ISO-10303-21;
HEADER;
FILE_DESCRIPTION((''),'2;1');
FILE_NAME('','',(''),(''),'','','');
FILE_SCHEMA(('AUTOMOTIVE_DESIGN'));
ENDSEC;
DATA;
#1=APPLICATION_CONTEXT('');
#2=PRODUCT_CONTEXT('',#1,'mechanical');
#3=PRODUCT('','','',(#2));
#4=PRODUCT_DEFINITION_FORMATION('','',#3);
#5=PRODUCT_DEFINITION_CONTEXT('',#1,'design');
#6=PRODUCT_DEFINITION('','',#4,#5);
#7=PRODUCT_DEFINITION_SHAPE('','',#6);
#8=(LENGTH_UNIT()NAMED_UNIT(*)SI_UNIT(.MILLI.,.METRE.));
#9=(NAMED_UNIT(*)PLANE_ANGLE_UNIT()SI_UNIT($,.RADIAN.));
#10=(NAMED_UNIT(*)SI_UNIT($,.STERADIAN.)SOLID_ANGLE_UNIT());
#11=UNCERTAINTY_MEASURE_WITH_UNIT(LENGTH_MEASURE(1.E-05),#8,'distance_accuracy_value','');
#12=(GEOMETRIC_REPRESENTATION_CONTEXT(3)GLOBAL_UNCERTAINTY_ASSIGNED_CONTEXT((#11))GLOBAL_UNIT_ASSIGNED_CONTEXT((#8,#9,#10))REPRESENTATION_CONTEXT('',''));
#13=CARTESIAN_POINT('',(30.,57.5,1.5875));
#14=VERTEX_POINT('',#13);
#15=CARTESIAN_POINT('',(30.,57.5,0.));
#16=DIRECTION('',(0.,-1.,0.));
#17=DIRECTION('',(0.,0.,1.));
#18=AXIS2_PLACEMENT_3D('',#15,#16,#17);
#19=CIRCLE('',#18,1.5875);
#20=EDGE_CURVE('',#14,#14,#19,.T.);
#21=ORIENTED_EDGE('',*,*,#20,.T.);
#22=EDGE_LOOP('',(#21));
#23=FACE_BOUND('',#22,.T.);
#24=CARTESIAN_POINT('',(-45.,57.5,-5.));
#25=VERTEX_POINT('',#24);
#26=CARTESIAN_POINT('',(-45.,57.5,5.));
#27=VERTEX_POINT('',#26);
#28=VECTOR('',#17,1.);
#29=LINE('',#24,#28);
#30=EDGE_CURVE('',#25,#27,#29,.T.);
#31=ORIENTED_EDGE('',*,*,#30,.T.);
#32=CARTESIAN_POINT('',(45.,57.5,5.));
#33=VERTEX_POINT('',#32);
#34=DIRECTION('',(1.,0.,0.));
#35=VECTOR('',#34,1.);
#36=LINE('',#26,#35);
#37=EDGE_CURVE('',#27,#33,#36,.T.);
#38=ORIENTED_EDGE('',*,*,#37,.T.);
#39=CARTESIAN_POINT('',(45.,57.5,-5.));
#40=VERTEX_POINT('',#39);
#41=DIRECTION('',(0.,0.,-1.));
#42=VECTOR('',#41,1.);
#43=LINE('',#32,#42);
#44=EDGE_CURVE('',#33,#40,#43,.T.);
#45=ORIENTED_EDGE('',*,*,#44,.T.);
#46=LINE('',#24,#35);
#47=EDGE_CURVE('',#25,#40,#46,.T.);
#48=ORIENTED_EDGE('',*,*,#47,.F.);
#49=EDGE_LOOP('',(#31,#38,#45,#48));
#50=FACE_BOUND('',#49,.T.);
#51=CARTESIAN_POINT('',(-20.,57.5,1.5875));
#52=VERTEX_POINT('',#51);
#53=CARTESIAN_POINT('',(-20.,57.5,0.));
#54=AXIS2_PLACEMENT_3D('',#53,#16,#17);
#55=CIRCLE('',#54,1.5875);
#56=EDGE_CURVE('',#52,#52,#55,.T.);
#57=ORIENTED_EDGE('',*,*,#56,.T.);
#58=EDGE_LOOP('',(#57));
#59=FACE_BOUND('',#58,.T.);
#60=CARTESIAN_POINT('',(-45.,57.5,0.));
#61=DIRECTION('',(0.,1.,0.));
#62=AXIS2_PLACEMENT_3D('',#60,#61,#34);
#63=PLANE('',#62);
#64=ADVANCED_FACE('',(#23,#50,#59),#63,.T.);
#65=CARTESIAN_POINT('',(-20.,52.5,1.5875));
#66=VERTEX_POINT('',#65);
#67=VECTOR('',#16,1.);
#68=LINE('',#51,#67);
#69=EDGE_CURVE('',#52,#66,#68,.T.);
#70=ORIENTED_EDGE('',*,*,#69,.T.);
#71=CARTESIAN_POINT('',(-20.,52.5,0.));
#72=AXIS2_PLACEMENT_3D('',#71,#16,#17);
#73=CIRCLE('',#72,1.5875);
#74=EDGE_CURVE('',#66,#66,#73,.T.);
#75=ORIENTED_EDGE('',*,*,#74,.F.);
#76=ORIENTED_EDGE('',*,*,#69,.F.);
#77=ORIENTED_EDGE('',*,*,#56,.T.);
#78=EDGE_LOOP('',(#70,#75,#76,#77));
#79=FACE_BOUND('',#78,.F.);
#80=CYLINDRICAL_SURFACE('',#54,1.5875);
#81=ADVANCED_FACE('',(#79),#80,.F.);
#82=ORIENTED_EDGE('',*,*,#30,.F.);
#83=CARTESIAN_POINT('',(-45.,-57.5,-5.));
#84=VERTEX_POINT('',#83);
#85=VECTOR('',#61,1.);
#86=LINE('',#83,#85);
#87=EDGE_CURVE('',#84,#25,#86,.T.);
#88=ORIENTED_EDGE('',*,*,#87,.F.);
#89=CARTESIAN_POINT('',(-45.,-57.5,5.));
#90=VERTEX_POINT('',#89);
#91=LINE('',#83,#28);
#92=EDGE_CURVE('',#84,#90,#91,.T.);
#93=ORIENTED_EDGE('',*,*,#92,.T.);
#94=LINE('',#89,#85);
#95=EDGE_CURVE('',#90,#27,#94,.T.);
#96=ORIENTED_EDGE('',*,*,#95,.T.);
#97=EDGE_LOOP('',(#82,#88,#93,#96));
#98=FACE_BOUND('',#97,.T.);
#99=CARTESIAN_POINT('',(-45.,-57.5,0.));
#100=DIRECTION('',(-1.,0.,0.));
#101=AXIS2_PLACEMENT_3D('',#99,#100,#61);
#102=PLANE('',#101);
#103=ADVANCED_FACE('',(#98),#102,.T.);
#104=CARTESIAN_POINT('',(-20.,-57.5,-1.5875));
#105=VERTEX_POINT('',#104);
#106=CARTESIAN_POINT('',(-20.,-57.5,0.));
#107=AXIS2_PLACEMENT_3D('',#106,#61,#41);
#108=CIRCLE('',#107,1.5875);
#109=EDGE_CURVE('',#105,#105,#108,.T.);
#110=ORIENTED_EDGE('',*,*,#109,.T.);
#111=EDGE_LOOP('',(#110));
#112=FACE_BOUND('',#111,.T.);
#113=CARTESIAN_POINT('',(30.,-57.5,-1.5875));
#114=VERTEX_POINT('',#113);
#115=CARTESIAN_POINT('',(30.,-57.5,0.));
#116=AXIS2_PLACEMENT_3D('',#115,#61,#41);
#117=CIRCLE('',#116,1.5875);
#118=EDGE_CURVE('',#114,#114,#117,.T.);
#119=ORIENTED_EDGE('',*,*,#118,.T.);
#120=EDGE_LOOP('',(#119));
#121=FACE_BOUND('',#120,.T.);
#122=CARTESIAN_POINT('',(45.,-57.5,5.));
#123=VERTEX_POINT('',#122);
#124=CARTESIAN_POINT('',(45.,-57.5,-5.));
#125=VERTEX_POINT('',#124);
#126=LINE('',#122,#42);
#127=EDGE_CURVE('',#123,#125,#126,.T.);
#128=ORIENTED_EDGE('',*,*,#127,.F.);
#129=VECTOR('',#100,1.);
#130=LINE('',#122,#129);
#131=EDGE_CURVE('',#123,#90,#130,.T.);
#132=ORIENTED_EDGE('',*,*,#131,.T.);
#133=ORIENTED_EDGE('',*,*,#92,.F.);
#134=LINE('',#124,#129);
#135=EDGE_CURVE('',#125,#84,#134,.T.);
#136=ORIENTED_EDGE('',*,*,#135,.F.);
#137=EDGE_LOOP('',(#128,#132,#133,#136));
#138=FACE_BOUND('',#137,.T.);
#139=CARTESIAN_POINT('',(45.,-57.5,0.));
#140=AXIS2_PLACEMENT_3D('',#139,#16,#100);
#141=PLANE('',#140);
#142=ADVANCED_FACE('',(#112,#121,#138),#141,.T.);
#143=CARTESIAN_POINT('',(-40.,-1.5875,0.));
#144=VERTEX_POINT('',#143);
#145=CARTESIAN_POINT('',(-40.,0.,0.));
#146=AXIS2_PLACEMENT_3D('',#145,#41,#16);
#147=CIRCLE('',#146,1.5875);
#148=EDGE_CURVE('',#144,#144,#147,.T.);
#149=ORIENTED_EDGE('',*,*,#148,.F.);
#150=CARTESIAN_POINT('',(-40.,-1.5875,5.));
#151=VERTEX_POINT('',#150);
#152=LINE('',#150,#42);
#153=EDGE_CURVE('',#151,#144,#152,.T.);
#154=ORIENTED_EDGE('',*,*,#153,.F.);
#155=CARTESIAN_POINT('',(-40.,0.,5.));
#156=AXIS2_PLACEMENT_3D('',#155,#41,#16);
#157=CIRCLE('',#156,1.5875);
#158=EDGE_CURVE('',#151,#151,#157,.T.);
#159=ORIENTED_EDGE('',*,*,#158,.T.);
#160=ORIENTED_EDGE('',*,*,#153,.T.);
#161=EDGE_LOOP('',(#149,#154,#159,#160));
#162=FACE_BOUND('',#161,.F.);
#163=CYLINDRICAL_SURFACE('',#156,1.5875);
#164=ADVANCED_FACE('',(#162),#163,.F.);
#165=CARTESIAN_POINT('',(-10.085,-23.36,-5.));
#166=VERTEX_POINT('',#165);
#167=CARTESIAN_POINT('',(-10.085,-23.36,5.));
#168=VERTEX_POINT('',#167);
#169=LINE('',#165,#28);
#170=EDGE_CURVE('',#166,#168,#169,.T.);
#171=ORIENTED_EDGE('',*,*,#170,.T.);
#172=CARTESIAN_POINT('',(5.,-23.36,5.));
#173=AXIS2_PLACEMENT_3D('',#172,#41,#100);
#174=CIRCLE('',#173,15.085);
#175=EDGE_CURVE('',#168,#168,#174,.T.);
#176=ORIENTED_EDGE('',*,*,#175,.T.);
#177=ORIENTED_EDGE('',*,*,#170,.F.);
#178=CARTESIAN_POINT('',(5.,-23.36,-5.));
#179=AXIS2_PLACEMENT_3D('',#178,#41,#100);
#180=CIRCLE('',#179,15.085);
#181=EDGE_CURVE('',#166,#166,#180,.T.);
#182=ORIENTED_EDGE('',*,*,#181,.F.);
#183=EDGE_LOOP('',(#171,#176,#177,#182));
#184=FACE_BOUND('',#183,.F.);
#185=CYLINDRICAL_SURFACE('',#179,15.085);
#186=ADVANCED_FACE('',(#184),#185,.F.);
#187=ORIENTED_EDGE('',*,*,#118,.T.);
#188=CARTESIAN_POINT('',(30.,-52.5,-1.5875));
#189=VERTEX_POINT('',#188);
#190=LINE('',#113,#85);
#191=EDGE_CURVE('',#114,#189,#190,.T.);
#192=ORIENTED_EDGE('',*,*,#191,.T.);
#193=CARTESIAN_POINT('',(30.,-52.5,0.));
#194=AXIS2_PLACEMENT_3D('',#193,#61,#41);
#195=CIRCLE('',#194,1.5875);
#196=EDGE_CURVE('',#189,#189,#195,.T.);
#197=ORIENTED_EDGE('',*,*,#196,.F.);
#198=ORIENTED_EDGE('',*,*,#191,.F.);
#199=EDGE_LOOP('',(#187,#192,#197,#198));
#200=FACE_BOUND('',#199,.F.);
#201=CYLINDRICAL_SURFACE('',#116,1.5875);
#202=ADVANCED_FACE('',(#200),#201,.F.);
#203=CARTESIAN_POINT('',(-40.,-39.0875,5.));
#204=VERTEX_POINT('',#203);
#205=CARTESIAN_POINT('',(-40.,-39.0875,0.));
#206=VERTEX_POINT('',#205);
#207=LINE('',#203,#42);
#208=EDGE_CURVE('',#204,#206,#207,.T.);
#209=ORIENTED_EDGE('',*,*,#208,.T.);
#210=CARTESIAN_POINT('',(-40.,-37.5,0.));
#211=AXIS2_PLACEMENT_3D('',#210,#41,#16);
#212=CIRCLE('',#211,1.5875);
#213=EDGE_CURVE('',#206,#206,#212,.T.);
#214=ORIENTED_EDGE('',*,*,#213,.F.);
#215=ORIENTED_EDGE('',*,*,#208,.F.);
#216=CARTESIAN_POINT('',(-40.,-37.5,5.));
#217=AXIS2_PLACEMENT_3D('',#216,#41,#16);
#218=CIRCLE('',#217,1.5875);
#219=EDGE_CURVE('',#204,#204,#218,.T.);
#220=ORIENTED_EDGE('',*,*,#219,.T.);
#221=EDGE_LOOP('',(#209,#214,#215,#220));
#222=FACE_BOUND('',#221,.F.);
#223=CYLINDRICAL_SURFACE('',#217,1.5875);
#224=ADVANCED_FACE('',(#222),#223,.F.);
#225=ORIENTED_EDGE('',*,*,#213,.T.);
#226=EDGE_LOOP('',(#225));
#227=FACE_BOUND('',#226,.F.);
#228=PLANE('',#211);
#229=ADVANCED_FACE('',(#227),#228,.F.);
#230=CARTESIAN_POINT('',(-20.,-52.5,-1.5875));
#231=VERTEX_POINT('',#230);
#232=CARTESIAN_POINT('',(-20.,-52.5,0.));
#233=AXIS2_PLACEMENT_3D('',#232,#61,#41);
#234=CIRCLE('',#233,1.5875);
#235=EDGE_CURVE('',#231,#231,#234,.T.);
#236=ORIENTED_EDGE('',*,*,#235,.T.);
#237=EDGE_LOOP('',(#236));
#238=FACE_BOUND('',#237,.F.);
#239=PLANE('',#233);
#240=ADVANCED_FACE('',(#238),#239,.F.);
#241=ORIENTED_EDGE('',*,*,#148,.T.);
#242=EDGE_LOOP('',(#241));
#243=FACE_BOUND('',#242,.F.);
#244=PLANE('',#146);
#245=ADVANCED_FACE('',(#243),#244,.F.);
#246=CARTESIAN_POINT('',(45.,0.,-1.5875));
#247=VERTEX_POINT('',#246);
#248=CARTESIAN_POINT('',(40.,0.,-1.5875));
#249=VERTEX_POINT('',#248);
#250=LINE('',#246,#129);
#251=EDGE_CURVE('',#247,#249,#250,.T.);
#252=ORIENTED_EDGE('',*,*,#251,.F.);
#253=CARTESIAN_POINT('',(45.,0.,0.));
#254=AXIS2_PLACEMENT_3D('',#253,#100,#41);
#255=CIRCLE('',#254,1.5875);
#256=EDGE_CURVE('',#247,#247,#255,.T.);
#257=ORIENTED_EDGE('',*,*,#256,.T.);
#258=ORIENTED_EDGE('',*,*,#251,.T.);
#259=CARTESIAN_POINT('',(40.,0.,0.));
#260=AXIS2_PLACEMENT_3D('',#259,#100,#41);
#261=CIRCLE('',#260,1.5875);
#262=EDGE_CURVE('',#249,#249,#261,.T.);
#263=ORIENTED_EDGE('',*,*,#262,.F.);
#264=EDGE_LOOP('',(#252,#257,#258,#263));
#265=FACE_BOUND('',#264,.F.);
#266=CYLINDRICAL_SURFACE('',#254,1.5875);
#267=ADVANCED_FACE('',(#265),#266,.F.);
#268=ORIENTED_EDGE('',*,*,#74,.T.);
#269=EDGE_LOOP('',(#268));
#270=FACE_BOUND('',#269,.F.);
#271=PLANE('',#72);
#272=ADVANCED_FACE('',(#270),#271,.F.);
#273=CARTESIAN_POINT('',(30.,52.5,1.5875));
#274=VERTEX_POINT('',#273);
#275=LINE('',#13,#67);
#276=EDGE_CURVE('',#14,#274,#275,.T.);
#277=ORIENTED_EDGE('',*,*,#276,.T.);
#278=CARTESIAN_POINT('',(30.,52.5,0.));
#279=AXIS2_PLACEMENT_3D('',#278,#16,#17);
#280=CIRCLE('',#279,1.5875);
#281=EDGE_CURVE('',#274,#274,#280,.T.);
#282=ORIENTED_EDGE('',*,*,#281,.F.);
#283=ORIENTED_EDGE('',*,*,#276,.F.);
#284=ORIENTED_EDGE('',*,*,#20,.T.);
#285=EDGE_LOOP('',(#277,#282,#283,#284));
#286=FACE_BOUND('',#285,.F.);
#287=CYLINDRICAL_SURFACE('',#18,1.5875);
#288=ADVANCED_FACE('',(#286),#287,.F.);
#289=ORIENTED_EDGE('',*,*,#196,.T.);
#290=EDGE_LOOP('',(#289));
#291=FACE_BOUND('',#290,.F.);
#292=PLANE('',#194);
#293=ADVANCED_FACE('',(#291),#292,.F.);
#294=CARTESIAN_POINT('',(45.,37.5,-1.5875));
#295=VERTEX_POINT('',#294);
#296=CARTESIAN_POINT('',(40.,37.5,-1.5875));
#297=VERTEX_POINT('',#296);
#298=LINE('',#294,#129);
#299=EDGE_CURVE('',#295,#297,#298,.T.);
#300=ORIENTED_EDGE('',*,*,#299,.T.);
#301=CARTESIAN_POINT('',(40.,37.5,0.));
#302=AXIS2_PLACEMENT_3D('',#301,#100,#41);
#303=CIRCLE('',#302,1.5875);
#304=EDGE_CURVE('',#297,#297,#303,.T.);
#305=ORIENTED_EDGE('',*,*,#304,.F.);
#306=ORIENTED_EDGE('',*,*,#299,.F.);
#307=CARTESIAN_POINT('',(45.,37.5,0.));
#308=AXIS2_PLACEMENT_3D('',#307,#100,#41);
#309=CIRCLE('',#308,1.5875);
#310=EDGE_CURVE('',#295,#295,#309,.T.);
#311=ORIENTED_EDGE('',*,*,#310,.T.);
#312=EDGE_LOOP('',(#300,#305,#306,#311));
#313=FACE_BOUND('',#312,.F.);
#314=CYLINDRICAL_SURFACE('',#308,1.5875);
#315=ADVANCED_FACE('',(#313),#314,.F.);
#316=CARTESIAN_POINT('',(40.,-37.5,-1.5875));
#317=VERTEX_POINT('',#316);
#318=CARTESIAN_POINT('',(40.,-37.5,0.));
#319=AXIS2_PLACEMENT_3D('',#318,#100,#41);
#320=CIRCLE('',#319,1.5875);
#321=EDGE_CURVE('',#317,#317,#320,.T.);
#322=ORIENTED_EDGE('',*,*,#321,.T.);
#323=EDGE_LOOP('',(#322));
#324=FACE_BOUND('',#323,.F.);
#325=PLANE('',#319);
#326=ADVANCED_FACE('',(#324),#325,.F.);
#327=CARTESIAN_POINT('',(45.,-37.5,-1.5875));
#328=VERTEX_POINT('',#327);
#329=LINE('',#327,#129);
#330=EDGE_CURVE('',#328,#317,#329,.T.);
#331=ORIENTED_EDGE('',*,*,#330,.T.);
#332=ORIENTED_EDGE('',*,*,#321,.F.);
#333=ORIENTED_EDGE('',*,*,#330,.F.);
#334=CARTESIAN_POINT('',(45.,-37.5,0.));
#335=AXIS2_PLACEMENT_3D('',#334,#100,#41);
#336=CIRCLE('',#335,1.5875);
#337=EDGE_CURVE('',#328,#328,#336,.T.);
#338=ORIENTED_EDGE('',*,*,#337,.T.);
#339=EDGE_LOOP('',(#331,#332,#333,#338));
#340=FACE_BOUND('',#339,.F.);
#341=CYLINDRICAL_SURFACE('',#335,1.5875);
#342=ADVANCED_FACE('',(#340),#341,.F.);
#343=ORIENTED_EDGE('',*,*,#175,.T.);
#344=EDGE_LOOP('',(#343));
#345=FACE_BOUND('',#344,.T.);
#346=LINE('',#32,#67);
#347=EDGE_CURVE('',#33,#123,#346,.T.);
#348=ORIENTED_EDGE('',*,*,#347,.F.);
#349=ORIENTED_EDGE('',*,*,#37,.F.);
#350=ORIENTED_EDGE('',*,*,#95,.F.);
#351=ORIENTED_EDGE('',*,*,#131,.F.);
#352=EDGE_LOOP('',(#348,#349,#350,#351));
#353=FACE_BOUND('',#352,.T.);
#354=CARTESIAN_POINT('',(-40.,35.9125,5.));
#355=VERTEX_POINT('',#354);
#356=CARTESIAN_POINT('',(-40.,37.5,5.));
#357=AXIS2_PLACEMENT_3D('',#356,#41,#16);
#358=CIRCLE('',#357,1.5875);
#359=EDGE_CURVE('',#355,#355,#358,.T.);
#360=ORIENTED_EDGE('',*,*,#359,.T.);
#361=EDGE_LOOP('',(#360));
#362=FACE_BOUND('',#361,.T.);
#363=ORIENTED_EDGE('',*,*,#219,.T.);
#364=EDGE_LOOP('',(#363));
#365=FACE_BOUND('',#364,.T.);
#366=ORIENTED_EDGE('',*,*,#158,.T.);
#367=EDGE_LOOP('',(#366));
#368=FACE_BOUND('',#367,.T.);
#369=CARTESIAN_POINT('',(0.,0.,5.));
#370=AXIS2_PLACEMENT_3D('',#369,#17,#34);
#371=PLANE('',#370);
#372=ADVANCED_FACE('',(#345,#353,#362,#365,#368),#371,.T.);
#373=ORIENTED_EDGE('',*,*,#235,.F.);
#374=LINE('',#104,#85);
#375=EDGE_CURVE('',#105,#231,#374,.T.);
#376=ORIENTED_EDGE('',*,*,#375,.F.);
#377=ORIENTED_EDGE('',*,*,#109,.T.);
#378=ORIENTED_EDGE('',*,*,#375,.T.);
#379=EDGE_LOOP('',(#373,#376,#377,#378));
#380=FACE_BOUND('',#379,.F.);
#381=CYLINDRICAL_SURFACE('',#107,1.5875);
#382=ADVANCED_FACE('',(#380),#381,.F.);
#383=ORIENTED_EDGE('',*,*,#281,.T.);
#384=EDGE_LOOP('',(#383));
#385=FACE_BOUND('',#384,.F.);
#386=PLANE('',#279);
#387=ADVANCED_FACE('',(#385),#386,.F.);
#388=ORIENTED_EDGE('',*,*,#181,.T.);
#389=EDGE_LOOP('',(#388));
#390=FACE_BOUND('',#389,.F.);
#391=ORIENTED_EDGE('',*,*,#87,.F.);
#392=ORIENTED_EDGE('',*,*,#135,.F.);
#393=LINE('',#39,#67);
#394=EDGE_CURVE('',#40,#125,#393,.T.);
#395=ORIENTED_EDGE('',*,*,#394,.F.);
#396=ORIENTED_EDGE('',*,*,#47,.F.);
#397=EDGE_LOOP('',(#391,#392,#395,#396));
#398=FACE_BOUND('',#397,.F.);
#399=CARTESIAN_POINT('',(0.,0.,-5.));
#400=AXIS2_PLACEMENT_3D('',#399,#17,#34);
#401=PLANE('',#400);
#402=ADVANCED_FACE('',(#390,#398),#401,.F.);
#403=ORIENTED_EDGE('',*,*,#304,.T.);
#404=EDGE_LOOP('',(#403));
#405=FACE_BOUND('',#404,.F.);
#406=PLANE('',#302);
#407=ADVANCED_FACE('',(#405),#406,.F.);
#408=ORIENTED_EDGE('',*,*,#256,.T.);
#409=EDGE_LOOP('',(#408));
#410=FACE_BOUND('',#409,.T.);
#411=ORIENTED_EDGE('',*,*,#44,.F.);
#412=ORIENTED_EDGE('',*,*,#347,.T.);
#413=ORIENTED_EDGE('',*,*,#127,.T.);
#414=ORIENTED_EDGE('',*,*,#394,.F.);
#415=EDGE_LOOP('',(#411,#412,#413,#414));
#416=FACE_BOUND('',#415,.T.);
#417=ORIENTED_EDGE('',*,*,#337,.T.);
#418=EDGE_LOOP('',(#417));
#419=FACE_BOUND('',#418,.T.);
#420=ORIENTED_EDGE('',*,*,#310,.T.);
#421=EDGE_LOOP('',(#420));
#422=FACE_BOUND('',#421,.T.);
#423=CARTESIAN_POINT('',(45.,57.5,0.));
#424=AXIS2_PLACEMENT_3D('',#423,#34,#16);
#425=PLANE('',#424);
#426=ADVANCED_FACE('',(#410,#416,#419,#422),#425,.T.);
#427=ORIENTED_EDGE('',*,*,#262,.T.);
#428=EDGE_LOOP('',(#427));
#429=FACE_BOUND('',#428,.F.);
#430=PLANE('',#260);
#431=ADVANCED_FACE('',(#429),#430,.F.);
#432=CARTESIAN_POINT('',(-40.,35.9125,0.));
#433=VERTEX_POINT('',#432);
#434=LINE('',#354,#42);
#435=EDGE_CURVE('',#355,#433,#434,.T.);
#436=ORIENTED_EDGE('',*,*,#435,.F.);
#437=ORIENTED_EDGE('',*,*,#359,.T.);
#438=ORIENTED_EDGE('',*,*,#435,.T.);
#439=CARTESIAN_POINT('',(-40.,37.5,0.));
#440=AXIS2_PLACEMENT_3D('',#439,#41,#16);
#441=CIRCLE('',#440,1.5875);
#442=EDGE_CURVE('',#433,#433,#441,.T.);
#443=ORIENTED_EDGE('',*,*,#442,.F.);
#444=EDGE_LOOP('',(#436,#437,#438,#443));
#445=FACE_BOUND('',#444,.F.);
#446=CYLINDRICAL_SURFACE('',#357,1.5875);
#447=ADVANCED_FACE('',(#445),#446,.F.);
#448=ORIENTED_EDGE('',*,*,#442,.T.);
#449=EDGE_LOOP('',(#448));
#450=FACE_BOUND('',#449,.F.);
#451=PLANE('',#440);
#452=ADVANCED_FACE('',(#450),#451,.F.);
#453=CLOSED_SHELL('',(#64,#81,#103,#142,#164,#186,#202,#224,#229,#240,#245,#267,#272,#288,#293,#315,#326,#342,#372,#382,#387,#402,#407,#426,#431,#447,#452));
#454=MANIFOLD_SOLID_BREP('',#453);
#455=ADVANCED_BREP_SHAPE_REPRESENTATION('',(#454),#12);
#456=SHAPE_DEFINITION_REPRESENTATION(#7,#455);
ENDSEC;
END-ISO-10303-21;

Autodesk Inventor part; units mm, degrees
ref_plane "YZ Plane" through (0, 0, 0) normal (1, 0, 0) x (0, 1, 0)
ref_plane "XZ Plane" through (0, 0, 0) normal (0, 1, 0) x (-1, 0, 0)
ref_plane "XY Plane" through (0, 0, 0) normal (0, 0, 1) x (1, 0, 0)
sketch "Sketch1" plane through (0, 0, 0) normal (0, 0, 1) x (1, 0, 0)
  line L0 (-45, 57.5) -> (45, 57.5)
  line L1 (45, 57.5) -> (45, -57.5)
  line L2 (45, -57.5) -> (-45, -57.5)
  line L3 (-45, -57.5) -> (-45, 57.5)
  line L4 (-45, 57.5) -> (45, -57.5) construction
  line L5 (45, 57.5) -> (-45, -57.5) construction
  point P0 (0, 0)
  dimension "d0" = 90
  dimension "d1" = 115
extrude "Extrusion1" add sketch "Sketch1" along normal mid plane 10
sketch "Sketch2" plane through (45, -57.5, 5) normal (1, 0, 0) x (0, 0, -1)
  line L0 (10, 0) -> (0, 0) projected
  line L1 (10, 115) -> (10, 0) projected
  point P0 (5, 57.5)
  point P1 (5, 20)
  point P2 (5, 57.5)
  point P3 (5, 95)
  dimension "d4" = 20
  dimension "d5" = 5
  dimension "d8" = 37.5
hole "Hole1" at (45, -37.5, 0) at (45, 0, 0) at (45, 37.5, 0) direction (-1, 0, 0) diameter 3.175 depth 5
sketch "Sketch3" plane through (-45, -57.5, 5) normal (0, -1, 0) x (1, 0, 0)
  line L0 (0, 0) -> (0, -10) projected
  line L1 (90, -10) -> (0, -10) projected
  point P0 (45, -5)
  point P1 (25, -5)
  point P2 (75, -5)
  dimension "d20" = 25
  dimension "d21" = 5
  dimension "d24" = 50
hole "Hole2" at (-20, -57.5, 0) at (30, -57.5, 0) direction (0, 1, 0) diameter 3.175 depth 5
sketch "Sketch4" plane through (-45, 57.5, 5) normal (0, 1, 0) x (1, 0, 0)
  line L0 (0, 10) -> (0, 0) projected
  line L1 (90, 0) -> (0, 0) projected
  point P0 (45, 5)
  point P1 (25, 5)
  point P2 (75, 5)
  dimension "d36" = 25
  dimension "d37" = 5
  dimension "d40" = 50
hole "Hole3" at (-20, 57.5, 0) at (30, 57.5, 0) direction (0, -1, 0) diameter 3.175 depth 5
sketch "Sketch5" plane through (0, 0, 5) normal (0, 0, 1) x (1, 0, 0)
  line L0 (-45, 57.5) -> (-45, -57.5) projected
  line L1 (-45, -57.5) -> (45, -57.5) projected
  point P0 (0, 0)
  point P1 (-40, -37.5)
  point P2 (-40, 0)
  point P3 (-40, 37.5)
  dimension "d52" = 5
  dimension "d53" = 20
  dimension "d56" = 37.5
hole "Hole4" at (-40, -37.5, 5) at (-40, 0, 5) at (-40, 37.5, 5) direction (0, 0, -1) diameter 3.175 depth 5
sketch "Sketch7" plane through (0, 0, -5) normal (0, 0, -1) x (-1, 0, 0)
  circle A0 centre (-5, -23.36) radius 15.085
  line L0 (-45, -57.5) -> (45, -57.5) projected
  line L1 (-45, 57.5) -> (-45, -57.5) projected
  point P0 (0, 0)
  dimension "d74" = 34.14
  dimension "d75" = 40
  dimension "d76" = 30.17
extrude "Extrusion3" cut sketch "Sketch7" against normal through all
thread "Thread1" size "3/4" designation "3/4 - 14 NPT" standard "NPT" length 20.15
properties part number "left"
